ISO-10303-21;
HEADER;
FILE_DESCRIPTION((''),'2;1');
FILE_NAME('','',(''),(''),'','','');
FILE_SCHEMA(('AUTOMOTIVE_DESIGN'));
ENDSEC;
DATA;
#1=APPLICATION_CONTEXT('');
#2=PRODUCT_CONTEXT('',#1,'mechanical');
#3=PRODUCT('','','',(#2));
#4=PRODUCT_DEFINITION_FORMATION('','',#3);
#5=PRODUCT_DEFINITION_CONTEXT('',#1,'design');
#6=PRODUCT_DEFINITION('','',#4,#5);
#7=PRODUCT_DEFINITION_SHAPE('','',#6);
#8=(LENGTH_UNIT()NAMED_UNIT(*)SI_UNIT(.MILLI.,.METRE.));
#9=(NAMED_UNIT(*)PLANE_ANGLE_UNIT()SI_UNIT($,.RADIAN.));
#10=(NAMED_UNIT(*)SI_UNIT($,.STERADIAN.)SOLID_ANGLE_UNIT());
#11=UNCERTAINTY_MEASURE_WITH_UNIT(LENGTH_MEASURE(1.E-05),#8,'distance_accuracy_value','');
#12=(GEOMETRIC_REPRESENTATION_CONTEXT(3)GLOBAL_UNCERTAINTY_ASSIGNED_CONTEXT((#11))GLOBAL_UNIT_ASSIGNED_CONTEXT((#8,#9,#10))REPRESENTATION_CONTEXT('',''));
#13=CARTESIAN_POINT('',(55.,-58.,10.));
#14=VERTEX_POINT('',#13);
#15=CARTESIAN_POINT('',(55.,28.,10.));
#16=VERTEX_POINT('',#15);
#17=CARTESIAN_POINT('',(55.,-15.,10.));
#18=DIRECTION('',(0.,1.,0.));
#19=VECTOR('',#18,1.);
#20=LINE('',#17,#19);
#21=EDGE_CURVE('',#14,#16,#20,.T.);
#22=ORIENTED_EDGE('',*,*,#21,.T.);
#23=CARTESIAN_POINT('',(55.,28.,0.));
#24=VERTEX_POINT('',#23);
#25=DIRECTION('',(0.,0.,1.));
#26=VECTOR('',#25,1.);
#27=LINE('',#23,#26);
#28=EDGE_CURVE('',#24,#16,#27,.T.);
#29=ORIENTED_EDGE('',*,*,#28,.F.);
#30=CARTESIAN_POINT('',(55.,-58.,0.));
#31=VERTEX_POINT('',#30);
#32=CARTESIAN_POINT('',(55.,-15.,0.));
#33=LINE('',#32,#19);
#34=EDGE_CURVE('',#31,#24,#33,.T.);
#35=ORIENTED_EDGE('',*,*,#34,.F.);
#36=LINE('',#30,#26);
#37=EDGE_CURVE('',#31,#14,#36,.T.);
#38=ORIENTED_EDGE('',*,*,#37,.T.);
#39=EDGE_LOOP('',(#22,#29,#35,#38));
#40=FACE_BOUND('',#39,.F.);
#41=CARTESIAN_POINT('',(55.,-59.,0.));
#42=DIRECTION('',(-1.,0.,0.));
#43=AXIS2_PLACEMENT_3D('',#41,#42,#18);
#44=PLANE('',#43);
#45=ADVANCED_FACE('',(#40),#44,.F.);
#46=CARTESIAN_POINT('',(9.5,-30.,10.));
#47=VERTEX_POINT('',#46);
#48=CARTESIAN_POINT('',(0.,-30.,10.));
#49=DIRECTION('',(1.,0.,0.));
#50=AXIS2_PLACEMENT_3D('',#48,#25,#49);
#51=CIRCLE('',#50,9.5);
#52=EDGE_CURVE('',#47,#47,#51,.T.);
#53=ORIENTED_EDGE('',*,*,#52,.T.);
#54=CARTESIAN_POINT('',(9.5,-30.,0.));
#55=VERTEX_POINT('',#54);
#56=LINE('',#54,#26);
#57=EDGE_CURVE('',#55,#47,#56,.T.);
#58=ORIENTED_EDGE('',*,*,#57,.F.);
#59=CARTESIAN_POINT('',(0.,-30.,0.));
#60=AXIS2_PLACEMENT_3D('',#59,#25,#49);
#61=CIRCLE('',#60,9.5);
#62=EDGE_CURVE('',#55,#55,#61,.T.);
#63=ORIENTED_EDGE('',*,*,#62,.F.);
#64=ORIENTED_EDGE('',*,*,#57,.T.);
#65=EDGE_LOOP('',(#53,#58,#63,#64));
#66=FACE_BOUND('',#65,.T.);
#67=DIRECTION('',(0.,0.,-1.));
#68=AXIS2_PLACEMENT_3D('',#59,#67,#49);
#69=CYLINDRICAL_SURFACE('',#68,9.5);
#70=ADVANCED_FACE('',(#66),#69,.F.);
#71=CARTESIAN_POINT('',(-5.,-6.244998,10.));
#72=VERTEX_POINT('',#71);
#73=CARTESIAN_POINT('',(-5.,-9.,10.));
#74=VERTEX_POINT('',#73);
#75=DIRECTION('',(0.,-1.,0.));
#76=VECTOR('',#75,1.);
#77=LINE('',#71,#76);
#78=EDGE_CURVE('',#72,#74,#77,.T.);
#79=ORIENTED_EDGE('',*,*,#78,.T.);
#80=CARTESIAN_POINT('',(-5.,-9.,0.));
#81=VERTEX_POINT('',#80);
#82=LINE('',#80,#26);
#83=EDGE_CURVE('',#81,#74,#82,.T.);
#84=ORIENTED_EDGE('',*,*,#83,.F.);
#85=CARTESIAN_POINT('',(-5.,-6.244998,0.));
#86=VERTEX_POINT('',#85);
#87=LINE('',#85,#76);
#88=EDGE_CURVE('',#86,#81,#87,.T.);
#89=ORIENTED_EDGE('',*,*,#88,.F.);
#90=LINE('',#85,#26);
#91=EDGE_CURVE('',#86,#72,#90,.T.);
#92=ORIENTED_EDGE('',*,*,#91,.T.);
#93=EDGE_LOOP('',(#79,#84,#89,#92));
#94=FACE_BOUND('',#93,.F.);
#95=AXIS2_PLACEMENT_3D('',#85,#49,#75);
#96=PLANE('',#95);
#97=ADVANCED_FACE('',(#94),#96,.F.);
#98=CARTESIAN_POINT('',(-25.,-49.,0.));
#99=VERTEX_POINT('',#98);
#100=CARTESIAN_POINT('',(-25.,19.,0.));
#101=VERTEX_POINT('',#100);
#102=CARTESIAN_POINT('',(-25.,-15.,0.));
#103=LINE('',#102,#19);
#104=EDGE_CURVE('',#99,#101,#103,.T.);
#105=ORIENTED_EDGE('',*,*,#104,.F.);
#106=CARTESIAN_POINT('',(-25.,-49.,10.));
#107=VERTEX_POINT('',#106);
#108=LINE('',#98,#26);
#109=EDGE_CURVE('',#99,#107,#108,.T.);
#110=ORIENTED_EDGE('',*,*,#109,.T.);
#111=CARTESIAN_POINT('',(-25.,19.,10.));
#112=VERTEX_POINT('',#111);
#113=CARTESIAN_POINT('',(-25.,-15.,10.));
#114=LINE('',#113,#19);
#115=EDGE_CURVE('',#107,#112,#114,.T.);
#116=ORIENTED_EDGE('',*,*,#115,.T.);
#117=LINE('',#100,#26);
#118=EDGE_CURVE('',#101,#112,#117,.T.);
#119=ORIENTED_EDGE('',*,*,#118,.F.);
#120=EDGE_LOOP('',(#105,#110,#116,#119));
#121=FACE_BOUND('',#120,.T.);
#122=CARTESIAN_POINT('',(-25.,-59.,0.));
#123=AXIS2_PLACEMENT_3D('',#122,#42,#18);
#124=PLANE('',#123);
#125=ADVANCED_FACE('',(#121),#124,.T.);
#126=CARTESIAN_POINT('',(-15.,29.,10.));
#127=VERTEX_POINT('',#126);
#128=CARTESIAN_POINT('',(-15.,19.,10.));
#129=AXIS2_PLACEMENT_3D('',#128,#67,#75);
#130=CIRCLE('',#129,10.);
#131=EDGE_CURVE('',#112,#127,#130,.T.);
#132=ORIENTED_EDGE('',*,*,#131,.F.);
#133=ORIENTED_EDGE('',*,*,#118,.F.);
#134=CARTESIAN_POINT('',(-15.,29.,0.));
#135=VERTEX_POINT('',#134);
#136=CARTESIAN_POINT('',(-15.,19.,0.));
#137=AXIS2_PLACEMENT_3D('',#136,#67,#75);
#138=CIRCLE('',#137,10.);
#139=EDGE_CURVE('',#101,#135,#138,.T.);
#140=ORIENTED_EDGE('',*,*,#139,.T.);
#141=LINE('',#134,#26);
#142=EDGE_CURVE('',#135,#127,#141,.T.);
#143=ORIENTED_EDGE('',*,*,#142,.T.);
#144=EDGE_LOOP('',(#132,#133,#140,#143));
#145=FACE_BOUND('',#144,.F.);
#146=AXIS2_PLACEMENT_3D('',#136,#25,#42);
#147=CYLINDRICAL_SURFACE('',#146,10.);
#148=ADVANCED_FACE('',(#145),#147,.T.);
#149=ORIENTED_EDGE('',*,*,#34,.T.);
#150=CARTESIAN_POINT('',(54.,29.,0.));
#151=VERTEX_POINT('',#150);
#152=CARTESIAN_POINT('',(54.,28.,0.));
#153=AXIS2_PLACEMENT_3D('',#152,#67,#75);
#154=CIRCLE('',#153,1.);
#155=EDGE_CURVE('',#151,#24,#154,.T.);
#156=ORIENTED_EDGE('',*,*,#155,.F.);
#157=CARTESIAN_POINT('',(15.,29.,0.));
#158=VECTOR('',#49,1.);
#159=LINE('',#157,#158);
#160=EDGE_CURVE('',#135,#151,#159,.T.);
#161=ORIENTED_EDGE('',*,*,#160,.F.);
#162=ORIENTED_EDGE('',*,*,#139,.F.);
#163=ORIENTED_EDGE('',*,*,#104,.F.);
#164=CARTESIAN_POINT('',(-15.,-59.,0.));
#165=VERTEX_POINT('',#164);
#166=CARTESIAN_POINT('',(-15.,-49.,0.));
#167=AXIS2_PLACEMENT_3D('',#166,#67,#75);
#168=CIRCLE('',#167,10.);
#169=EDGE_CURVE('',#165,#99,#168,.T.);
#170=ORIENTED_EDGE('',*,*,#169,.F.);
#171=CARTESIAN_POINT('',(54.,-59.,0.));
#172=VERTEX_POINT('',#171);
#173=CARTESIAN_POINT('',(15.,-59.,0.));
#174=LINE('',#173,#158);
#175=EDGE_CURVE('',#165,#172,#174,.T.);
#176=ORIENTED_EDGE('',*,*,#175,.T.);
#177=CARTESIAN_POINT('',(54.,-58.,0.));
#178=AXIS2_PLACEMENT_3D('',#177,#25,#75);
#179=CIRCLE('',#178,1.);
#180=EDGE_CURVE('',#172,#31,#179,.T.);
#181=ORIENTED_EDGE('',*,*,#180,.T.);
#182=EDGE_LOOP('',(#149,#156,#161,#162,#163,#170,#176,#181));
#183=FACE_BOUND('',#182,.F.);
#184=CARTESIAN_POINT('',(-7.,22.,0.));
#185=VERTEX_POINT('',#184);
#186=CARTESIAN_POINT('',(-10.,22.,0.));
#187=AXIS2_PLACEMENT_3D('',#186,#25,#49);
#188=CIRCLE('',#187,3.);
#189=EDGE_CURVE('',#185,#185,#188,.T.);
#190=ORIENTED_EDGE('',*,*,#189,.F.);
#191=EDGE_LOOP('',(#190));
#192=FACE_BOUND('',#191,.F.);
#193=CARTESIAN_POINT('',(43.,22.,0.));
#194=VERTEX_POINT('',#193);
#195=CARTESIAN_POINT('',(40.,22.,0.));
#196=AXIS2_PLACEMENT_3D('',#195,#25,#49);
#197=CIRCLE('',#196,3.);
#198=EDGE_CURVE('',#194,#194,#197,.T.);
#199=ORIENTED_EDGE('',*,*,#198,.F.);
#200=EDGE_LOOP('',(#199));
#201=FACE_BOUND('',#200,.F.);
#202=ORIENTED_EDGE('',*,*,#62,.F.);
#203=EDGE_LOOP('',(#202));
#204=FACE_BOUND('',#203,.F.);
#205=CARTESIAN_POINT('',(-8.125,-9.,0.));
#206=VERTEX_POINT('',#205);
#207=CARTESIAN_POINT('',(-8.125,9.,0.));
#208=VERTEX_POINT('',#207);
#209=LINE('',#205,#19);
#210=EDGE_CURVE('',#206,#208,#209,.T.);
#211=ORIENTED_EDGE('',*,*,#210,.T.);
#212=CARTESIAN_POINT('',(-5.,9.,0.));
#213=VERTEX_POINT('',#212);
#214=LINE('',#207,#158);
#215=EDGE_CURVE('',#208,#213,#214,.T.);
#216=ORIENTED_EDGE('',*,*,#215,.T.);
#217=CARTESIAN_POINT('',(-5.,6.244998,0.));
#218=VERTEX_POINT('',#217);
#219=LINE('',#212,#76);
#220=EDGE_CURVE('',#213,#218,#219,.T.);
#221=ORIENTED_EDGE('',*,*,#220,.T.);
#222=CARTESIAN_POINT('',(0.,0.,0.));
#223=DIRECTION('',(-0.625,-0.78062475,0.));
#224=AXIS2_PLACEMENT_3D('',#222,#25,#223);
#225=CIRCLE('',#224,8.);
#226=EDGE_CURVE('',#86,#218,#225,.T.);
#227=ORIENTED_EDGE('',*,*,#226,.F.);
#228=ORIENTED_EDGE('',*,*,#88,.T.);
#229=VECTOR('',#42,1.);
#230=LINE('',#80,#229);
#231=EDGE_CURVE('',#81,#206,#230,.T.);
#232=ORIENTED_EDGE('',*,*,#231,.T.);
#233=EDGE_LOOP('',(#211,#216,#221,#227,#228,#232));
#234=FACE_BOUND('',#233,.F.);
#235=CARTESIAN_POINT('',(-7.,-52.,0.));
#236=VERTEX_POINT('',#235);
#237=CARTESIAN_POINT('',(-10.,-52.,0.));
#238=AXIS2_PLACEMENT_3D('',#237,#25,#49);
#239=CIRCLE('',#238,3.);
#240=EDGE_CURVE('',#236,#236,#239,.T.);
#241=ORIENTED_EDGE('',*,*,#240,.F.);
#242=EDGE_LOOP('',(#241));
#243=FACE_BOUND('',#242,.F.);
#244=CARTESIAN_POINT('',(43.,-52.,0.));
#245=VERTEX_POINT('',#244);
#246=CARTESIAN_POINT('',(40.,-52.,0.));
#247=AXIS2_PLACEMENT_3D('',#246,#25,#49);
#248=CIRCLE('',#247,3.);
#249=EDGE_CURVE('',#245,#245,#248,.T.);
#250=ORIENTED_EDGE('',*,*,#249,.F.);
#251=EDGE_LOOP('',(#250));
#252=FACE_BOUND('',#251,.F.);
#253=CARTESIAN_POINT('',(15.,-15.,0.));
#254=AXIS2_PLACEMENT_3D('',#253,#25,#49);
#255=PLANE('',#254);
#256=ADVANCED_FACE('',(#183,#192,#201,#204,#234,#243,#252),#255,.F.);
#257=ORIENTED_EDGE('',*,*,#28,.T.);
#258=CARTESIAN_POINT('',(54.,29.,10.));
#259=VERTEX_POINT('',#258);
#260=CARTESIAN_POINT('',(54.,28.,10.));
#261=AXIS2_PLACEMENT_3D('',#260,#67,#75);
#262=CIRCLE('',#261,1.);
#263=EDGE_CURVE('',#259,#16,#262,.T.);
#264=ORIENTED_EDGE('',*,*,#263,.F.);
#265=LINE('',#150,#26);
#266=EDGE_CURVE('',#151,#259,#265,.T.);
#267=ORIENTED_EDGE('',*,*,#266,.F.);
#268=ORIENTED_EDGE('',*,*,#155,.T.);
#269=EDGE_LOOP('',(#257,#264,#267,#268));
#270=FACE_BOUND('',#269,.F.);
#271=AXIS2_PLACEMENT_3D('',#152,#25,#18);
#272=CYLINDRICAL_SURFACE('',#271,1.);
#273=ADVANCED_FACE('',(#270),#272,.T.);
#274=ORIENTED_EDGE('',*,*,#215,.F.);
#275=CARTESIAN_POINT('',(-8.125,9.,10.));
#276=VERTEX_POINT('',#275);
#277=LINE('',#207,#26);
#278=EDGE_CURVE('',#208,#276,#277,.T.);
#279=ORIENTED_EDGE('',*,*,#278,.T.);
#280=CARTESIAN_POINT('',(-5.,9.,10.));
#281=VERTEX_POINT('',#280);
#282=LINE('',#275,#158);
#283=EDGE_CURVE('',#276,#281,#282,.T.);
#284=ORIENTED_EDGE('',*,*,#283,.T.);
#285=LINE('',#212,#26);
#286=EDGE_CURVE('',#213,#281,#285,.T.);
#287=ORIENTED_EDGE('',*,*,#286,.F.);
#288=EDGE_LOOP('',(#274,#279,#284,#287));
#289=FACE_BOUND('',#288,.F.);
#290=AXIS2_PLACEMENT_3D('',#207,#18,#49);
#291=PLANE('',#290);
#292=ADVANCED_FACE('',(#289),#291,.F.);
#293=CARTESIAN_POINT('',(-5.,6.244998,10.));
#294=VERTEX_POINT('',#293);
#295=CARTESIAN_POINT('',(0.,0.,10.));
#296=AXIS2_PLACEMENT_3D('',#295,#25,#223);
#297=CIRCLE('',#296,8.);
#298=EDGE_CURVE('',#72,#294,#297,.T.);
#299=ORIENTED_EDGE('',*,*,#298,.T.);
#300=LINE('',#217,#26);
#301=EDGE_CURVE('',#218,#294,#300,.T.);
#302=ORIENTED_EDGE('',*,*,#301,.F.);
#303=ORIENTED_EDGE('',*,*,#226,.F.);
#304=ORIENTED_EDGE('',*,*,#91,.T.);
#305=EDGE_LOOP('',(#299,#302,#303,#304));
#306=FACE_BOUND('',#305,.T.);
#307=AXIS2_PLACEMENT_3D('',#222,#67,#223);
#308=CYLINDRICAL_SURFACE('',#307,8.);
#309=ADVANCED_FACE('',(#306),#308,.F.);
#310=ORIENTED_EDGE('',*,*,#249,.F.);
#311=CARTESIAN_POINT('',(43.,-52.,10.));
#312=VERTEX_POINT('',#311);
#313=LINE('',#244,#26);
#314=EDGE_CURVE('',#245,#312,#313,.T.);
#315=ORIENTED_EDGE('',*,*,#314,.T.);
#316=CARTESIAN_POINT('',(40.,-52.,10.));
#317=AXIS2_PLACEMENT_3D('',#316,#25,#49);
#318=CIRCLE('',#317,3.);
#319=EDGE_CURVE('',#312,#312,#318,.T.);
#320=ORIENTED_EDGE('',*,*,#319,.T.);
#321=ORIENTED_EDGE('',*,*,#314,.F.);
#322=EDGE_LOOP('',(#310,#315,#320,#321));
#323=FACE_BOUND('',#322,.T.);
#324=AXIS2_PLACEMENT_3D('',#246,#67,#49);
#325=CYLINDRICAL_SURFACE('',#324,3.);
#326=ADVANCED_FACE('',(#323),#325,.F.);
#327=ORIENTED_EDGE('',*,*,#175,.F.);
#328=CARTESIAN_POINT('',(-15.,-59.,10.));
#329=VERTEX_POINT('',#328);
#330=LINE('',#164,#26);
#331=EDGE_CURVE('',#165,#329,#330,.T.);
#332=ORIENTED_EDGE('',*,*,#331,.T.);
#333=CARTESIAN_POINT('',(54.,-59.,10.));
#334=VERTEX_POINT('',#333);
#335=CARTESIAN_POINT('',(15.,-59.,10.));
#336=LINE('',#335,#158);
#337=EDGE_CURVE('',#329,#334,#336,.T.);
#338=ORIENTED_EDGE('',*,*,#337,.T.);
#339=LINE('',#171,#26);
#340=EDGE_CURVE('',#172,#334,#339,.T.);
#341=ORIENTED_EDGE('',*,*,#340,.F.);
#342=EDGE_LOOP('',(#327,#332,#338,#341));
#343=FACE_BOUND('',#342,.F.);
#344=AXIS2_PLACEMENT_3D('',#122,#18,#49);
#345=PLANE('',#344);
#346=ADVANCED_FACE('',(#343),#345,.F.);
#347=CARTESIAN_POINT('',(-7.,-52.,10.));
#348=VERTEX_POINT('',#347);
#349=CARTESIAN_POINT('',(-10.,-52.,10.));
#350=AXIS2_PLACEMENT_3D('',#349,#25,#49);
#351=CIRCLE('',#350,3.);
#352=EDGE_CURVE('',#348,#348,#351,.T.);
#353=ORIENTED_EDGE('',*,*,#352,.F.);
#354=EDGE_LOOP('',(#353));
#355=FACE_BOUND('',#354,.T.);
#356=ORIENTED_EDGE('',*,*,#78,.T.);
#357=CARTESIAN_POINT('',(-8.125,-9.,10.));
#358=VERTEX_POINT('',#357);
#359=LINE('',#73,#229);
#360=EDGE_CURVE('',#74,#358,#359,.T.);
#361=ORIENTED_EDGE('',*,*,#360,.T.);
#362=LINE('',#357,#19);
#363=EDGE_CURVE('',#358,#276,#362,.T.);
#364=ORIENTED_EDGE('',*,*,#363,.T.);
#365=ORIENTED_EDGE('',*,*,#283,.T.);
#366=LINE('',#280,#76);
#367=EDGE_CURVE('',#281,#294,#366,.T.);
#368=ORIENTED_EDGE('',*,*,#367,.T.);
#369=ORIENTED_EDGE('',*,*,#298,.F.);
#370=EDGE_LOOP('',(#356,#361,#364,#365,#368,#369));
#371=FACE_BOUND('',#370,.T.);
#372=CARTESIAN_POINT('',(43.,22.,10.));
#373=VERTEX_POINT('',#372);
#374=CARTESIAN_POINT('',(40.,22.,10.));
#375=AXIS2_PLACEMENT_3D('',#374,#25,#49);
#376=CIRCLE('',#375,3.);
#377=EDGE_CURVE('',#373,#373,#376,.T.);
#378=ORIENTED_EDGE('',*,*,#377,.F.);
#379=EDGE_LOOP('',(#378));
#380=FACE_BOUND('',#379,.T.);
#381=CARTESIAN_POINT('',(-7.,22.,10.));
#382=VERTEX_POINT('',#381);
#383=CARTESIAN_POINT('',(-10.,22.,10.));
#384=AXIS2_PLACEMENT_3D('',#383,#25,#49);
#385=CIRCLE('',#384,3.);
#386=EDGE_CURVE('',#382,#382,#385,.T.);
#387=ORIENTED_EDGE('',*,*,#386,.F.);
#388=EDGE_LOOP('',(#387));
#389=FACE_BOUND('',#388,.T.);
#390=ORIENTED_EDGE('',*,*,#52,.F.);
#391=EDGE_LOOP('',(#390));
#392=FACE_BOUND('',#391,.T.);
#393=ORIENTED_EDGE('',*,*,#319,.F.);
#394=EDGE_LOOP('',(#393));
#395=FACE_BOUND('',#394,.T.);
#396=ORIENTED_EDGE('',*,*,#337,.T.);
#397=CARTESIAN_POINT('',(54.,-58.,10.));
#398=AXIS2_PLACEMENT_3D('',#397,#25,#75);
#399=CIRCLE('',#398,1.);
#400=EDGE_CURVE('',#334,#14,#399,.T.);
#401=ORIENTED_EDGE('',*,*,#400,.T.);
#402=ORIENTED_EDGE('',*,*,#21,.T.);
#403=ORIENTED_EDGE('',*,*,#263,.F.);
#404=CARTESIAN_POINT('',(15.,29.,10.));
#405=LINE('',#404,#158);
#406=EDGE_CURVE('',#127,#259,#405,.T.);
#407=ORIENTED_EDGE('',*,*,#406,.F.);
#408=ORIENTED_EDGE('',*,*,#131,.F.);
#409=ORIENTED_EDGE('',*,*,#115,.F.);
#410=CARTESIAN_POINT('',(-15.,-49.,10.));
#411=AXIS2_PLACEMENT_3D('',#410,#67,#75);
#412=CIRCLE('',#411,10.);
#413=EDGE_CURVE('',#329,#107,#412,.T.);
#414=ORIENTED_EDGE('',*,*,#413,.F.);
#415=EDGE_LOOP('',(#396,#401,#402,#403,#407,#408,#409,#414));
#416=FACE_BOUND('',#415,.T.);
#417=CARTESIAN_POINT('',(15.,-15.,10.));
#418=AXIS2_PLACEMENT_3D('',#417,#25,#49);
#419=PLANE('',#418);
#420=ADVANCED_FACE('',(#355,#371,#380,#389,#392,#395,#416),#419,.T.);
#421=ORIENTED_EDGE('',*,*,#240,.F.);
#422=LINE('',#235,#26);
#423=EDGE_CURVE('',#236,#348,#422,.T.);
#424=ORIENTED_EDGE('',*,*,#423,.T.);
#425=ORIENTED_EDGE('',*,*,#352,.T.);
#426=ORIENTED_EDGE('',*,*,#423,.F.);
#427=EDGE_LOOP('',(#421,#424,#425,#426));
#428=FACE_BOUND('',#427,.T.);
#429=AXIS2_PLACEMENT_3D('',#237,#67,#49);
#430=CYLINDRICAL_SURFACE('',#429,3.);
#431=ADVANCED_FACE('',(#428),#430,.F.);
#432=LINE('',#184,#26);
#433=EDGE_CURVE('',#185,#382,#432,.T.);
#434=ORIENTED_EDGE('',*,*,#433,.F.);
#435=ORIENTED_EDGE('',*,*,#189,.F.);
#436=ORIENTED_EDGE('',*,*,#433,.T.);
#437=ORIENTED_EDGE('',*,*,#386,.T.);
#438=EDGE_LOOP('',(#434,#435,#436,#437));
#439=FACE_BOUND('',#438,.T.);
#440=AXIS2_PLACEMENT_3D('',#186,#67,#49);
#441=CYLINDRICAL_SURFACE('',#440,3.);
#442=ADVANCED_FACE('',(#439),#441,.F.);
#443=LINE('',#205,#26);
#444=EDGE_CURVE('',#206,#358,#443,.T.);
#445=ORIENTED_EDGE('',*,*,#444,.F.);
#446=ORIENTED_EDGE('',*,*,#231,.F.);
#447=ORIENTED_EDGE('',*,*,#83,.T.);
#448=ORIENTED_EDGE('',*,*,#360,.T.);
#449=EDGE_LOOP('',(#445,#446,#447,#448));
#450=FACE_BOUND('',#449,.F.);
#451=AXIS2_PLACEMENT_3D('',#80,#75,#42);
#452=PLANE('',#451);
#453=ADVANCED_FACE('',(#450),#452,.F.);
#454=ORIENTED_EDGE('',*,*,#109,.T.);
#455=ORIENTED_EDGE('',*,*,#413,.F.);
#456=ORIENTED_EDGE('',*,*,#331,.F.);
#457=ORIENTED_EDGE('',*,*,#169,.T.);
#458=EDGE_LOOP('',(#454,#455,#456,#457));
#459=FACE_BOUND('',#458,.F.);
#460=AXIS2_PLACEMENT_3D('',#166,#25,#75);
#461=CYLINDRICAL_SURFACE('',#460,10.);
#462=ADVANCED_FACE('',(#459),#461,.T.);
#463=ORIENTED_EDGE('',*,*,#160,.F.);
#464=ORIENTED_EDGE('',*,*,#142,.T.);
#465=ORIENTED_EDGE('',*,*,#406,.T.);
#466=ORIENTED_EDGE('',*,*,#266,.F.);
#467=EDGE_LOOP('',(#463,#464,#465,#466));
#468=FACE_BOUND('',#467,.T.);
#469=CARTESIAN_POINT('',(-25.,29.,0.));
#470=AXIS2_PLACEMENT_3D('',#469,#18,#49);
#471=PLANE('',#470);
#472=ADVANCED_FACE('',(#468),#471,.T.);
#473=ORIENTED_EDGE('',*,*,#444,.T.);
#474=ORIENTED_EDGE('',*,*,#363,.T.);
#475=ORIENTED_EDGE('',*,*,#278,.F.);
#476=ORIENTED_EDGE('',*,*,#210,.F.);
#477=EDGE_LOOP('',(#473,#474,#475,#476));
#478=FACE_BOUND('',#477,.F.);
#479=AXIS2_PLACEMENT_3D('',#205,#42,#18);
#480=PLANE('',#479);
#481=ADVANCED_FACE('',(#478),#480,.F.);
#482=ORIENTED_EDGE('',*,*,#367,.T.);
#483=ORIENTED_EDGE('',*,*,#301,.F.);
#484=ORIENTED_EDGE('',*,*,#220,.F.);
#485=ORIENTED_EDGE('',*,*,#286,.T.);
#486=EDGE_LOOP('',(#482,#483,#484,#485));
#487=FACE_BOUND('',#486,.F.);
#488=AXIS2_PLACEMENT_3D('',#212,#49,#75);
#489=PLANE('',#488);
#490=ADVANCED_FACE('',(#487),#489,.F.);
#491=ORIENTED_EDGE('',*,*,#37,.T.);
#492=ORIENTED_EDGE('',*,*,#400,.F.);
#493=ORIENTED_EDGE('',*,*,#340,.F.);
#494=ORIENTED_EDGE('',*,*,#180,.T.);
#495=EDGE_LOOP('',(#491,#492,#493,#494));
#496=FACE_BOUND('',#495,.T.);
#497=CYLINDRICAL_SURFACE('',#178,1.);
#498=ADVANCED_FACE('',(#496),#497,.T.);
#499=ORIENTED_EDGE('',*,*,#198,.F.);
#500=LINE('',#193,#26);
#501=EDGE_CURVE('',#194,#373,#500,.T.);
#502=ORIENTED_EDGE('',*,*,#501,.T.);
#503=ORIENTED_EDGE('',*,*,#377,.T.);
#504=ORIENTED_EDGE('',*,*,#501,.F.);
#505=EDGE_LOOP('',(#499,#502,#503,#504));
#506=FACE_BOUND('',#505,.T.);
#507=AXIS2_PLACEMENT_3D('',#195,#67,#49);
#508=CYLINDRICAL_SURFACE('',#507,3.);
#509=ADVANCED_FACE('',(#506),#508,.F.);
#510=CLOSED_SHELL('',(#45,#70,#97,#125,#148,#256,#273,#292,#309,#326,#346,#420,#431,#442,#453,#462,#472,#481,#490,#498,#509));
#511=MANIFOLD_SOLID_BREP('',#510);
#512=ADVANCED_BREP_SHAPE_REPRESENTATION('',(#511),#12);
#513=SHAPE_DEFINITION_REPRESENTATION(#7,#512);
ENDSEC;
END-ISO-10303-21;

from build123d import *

# Parameters (mm, degrees)
SKETCH_W    = 80
SKETCH_H    = 88
SKETCH_R    = 9.5
SKETCH_R_2  = 3
PAD_DEPTH   = 10
FILLET_R    = 1
FILLET001_R = 10


with BuildPart() as part:
    # Sketch → Pad (new body)
    with BuildSketch(Plane.XY):
        with Locations((15, -15)):
            Rectangle(SKETCH_W, SKETCH_H)
        with Locations((0, -30)):
            Circle(SKETCH_R, mode=Mode.SUBTRACT)
        with Locations((-10, -52)):
            Circle(SKETCH_R_2, mode=Mode.SUBTRACT)
        with Locations((40, -52)):
            Circle(SKETCH_R_2, mode=Mode.SUBTRACT)
        with Locations((40, 22)):
            Circle(SKETCH_R_2, mode=Mode.SUBTRACT)
        with Locations((-10, 22)):
            Circle(SKETCH_R_2, mode=Mode.SUBTRACT)
        with BuildLine():
            ThreePointArc((-5, -6.244998), (8, 0), (-5, 6.244998))
            Line((-5, 9), (-5, 6.244998))
            Line((-8.125, 9), (-5, 9))
            Line((-8.125, -9), (-8.125, 9))
            Line((-5, -9), (-8.125, -9))
            Line((-5, -6.244998), (-5, -9))
        make_face(mode=Mode.SUBTRACT)
    extrude(amount=PAD_DEPTH)

    # Fillet
    fillet_edges = [part.edges().sort_by_distance(p)[0] for p in [
        (55, -59, 5),
        (55, 29, 5),
    ]]
    fillet(fillet_edges, radius=FILLET_R)

    # Fillet001
    fillet001_edges = [part.edges().sort_by_distance(p)[0] for p in [
        (-25, -59, 5),
        (-25, 29, 5),
    ]]
    fillet(fillet001_edges, radius=FILLET001_R)


solid = part.part
